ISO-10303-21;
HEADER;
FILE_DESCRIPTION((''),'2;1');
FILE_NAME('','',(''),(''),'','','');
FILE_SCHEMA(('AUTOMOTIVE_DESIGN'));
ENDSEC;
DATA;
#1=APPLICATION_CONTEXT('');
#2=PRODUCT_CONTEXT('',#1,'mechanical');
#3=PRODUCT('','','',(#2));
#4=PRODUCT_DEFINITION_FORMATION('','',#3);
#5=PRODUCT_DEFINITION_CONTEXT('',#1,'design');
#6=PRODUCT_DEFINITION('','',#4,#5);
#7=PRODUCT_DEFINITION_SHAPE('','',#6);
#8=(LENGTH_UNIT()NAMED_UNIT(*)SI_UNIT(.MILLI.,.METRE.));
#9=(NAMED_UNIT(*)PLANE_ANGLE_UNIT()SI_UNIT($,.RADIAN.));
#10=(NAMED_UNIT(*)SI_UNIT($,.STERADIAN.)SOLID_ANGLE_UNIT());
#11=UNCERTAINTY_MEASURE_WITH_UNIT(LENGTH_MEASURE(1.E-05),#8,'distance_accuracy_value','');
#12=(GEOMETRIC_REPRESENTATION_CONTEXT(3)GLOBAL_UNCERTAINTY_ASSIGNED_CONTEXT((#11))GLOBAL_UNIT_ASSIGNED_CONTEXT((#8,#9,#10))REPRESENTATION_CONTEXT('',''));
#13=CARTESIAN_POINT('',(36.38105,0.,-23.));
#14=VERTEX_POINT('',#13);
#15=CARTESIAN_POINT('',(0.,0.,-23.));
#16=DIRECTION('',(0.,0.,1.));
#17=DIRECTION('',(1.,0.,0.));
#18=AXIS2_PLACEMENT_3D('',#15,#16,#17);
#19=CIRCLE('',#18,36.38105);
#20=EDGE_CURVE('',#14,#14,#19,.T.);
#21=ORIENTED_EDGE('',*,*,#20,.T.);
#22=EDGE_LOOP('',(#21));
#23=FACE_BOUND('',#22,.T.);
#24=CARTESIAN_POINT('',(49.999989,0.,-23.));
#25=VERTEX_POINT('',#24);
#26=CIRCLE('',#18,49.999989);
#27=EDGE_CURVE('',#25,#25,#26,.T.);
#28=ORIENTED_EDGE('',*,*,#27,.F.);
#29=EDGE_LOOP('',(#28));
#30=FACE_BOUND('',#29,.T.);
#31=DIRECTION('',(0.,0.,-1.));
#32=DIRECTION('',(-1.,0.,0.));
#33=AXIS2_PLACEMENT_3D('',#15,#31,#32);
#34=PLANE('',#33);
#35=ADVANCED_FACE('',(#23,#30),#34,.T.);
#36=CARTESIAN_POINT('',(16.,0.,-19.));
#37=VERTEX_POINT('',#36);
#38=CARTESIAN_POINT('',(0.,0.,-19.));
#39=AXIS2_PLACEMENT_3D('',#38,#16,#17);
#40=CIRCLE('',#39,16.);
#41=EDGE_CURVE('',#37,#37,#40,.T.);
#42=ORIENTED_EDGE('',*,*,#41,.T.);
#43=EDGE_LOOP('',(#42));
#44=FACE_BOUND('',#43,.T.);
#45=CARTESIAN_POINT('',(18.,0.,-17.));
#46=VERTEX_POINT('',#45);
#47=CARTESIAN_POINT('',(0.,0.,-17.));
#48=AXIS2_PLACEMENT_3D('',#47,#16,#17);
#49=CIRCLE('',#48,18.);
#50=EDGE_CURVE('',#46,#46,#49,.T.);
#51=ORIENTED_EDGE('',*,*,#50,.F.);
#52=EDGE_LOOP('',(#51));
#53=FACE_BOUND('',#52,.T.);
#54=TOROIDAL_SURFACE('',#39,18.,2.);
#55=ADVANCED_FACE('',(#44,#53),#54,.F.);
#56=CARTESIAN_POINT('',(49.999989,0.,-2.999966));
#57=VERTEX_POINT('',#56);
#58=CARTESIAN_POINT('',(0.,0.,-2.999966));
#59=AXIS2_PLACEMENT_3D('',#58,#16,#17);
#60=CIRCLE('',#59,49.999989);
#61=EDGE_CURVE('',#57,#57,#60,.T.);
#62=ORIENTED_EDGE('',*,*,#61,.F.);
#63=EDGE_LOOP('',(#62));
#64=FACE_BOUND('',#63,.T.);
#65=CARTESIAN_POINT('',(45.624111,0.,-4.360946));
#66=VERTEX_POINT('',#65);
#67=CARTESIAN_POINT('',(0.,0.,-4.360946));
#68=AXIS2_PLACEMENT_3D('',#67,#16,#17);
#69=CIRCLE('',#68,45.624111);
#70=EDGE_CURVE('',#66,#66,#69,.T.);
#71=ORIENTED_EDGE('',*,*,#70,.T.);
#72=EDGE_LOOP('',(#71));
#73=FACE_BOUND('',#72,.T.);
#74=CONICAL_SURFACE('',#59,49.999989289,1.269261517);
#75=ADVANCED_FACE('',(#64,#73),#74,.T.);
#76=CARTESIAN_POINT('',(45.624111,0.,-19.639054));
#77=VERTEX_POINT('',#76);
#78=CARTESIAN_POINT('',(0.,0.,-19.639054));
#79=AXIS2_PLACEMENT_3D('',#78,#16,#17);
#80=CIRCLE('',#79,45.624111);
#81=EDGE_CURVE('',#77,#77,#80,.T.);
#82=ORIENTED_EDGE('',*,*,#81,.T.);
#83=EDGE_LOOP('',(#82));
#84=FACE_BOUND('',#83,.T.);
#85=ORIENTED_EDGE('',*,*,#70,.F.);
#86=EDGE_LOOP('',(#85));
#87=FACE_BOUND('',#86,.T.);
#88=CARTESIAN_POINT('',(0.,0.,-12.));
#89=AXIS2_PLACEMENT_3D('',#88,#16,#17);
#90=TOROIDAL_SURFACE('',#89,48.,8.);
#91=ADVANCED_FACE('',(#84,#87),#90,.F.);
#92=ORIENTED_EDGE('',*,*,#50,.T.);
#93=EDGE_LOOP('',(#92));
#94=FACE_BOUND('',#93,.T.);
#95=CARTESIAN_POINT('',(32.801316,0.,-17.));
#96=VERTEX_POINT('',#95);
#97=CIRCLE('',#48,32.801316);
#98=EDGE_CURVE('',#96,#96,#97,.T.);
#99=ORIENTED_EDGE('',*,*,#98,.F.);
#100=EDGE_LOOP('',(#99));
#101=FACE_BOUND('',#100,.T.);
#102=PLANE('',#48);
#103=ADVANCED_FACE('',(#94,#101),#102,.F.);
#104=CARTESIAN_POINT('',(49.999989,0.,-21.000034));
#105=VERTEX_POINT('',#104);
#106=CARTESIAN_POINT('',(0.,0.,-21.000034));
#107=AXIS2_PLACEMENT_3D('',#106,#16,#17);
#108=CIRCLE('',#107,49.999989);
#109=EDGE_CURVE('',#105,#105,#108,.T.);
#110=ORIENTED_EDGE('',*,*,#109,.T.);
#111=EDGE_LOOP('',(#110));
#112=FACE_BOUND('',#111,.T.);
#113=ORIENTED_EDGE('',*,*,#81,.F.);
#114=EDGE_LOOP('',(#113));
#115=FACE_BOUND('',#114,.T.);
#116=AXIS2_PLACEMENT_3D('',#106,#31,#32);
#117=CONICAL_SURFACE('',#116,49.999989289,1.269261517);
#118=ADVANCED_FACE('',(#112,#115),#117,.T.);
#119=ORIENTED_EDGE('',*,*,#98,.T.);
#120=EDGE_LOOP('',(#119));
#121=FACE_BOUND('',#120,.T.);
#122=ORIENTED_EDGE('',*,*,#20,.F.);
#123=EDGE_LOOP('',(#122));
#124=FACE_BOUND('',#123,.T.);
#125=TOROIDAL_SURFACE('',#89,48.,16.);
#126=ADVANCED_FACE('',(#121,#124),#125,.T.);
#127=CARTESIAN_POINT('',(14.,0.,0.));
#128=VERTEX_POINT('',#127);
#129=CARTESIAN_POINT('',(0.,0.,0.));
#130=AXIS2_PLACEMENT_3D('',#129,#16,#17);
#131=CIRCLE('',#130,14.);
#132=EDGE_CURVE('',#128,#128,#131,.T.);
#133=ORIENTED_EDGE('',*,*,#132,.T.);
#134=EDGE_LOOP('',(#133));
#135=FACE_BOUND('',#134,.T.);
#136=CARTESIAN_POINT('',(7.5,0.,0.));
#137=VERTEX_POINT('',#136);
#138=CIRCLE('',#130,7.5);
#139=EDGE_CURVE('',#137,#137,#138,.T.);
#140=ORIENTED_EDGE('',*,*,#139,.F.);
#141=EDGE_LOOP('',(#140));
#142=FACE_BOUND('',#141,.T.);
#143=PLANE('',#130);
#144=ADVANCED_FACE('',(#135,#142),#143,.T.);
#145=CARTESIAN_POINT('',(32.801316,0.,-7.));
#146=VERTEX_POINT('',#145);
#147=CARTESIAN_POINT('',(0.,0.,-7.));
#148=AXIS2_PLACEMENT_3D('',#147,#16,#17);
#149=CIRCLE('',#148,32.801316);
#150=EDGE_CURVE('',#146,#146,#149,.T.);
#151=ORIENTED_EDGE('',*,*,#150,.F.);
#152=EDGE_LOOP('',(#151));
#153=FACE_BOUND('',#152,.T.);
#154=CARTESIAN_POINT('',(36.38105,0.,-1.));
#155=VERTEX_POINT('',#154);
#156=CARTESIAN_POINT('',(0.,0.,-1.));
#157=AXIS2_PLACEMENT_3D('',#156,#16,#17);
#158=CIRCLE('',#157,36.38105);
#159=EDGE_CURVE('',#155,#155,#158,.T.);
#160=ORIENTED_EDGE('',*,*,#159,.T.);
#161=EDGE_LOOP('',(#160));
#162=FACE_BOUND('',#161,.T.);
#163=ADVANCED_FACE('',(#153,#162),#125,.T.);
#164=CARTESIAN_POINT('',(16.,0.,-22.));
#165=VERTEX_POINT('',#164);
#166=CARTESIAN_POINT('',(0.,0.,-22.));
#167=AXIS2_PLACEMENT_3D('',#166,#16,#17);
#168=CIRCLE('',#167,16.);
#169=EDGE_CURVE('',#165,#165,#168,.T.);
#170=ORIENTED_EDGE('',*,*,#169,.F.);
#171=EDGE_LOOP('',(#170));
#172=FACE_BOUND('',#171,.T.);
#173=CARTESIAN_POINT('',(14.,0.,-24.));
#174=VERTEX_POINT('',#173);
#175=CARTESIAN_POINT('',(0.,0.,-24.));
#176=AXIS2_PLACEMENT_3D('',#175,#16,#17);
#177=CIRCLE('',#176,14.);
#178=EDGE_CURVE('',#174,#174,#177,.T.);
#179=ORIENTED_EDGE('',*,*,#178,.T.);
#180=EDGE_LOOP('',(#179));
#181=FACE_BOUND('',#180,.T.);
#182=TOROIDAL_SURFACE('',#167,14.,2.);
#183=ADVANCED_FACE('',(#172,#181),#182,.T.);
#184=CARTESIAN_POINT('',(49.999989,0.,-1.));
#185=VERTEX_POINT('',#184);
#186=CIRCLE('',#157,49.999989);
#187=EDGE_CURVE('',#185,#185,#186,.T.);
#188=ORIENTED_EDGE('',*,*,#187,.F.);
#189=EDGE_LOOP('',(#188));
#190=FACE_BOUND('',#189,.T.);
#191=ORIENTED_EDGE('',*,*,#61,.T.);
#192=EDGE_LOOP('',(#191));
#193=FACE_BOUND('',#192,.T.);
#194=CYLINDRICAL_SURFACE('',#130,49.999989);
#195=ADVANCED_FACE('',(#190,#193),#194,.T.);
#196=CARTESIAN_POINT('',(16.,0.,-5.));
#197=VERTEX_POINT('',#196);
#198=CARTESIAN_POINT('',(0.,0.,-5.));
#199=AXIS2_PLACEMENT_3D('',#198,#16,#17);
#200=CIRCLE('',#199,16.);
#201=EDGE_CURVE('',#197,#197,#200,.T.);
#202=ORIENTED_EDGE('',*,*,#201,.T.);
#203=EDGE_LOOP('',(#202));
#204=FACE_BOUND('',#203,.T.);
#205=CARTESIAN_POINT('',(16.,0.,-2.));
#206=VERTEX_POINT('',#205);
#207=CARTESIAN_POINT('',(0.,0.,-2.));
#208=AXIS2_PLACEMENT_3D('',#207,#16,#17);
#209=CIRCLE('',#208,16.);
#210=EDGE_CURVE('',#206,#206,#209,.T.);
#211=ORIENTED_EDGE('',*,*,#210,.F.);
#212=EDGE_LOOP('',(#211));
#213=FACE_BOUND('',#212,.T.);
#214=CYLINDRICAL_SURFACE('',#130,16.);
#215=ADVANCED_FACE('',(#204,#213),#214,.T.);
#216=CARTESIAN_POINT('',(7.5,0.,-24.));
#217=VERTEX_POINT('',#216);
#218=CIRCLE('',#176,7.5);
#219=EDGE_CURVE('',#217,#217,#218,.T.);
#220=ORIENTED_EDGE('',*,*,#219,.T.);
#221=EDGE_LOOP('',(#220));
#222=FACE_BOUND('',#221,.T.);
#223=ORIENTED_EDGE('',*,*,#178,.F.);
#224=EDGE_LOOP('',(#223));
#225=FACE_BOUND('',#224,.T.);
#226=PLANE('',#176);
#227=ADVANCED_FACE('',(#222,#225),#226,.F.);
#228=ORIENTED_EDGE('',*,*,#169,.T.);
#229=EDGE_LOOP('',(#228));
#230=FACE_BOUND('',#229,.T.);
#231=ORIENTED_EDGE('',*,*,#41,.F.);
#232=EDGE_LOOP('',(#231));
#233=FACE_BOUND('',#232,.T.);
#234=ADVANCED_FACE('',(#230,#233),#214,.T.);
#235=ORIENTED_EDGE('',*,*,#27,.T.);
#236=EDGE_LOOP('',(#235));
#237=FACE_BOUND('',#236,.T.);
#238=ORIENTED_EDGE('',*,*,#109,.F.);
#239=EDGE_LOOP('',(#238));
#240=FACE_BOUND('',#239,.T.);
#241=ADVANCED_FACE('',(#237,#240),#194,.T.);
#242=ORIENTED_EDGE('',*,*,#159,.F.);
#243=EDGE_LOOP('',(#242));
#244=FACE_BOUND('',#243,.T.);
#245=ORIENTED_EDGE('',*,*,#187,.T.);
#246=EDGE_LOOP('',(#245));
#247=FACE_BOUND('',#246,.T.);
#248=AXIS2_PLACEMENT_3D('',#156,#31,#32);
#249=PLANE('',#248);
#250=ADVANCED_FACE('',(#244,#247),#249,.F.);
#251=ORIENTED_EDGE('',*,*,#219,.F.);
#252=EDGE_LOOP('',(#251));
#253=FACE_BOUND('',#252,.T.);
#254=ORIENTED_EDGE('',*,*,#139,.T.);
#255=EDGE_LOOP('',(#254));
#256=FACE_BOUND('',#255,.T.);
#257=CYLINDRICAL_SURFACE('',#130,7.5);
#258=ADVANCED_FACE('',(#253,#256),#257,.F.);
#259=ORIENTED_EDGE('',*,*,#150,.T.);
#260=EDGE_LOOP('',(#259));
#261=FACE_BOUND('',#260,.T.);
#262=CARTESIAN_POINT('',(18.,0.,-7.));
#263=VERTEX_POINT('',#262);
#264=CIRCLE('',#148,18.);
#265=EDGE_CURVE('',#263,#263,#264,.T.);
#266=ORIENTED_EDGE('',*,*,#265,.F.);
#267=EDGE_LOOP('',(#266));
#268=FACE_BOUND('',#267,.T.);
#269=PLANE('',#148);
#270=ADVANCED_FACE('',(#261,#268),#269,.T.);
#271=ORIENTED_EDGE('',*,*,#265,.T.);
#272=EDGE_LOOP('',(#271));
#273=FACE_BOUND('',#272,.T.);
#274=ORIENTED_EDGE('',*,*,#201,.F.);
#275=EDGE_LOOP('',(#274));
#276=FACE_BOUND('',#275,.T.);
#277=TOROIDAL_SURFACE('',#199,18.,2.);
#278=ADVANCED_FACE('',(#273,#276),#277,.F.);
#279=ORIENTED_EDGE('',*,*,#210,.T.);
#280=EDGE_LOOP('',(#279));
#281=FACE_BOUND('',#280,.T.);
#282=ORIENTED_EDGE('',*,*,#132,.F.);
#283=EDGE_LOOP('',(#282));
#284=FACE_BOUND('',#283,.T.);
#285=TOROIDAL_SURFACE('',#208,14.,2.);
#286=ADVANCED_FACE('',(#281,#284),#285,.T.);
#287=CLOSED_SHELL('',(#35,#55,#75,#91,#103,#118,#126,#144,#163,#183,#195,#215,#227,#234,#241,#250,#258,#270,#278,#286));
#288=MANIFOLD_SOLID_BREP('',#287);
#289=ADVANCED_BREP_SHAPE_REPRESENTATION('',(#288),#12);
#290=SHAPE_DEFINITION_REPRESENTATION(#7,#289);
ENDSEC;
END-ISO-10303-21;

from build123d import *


with BuildPart() as part:
    # Sketch1 → Revolve1 (revolve)
    with BuildSketch(Plane(origin=(0, 0, 0), x_dir=(1, 0, 0), z_dir=(0, 1, 0))):
        with BuildLine():
            ThreePointArc((32.801315846, 17), (34.259680647, 20.197781656), (36.381049961, 23))
            Line((36.381049961, 23), (49.999989289, 23))
            Line((49.999989289, 23), (49.999989289, 21.000034438))
            Line((49.999989289, 21.000034438), (45.624111056, 19.639054374))
            ThreePointArc((45.624111056, 19.639054374), (40, 12), (45.624111056, 4.360945626))
            Line((45.624111056, 4.360945626), (49.999989289, 2.999965562))
            Line((49.999989289, 2.999965562), (49.999989289, 1))
            Line((49.999989289, 1), (36.381049961, 1))
            ThreePointArc((36.381049961, 1), (34.259680647, 3.802218344), (32.801315846, 7))
            Line((32.801315846, 7), (18, 7))
            ThreePointArc((18, 7), (16.585786438, 6.414213562), (16, 5))
            Line((16, 5), (16, 2))
            ThreePointArc((16, 2), (15.414213562, 0.585786438), (14, 0))
            Line((14, 0), (7.5, 0))
            Line((7.5, 0), (7.5, 12))
            Line((7.5, 12), (7.5, 24))
            Line((7.5, 24), (14, 24))
            ThreePointArc((14, 24), (15.414213562, 23.414213562), (16, 22))
            Line((16, 22), (16, 19))
            ThreePointArc((16, 19), (16.585786438, 17.585786438), (18, 17))
            Line((18, 17), (32.801315846, 17))
        make_face()
    revolve(axis=Axis((0, 0, 0), (0, 0, -1)))


solid = part.part
